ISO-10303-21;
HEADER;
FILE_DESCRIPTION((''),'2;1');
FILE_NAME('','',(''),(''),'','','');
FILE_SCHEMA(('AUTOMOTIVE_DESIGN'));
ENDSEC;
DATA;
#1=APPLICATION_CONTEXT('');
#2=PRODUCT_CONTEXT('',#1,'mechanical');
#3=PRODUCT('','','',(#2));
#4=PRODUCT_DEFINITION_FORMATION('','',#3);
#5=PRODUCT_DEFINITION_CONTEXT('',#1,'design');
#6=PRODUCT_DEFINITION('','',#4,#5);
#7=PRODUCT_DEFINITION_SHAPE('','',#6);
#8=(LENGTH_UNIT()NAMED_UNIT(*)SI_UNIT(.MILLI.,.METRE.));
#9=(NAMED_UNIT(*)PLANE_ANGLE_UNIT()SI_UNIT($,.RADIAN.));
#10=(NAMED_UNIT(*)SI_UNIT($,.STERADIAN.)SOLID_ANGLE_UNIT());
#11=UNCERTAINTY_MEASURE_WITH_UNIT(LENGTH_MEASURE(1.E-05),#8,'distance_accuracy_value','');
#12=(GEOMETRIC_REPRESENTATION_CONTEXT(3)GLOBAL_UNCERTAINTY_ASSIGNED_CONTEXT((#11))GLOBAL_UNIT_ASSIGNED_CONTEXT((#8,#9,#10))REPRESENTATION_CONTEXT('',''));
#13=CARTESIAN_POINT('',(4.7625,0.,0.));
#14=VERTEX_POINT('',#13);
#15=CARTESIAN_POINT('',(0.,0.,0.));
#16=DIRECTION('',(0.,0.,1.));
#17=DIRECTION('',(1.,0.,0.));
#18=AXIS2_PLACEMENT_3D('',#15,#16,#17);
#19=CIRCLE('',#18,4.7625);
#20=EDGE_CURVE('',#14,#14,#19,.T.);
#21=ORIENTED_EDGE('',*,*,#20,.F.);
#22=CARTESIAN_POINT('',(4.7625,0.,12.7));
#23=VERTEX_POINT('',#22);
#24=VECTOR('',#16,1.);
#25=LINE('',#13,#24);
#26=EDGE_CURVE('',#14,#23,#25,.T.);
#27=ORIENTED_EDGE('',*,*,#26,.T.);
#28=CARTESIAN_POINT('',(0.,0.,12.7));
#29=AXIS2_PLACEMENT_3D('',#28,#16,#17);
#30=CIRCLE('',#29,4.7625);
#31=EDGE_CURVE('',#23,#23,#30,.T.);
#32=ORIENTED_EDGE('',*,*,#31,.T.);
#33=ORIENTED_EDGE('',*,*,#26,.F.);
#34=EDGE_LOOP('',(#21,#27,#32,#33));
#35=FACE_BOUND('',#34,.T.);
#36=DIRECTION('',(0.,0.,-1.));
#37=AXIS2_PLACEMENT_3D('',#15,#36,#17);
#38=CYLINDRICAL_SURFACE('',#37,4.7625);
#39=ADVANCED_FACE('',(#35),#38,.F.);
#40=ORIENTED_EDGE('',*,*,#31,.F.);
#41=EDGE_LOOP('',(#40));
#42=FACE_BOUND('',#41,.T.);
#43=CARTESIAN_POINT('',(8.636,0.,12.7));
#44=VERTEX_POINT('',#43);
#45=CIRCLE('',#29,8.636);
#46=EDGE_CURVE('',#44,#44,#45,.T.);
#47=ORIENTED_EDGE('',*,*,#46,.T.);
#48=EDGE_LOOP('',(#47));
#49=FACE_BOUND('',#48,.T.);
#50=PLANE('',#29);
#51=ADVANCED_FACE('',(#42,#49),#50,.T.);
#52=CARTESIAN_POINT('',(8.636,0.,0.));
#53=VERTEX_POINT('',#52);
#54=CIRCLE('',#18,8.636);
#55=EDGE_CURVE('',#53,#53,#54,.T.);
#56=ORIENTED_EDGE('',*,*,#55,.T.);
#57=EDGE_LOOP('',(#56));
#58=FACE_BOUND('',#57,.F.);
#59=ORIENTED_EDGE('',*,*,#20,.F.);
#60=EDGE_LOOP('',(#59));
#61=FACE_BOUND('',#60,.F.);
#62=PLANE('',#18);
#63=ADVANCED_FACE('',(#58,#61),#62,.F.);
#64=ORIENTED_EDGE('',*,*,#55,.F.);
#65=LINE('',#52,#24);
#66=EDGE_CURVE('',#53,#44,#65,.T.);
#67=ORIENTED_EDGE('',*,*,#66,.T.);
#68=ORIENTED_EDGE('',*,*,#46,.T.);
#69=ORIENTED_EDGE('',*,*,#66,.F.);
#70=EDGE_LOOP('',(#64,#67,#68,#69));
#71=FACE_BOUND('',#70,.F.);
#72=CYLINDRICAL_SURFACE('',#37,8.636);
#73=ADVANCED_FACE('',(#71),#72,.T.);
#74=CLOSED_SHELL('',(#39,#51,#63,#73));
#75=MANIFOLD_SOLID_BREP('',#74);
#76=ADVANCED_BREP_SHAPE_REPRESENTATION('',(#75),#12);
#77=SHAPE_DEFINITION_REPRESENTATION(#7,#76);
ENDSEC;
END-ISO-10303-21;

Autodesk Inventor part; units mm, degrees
ref_plane "YZ Plane" through (0, 0, 0) normal (1, 0, 0) x (0, 1, 0)
ref_plane "XZ Plane" through (0, 0, 0) normal (0, 1, 0) x (-1, 0, 0)
ref_plane "XY Plane" through (0, 0, 0) normal (0, 0, 1) x (1, 0, 0)
sketch "Sketch1" plane through (0, 0, 0) normal (0, 0, 1) x (1, 0, 0)
  circle A0 centre (0, 0) radius 9.525 construction
  circle A1 centre (0, 0) radius 8.636
  circle A2 centre (0, 0) radius 4.7625
  dimension "d0" = 19.05
  dimension "d10" = 9.525
  dimension "d13" = 17.272
extrude "Extrusion1" add sketch "Sketch1" along normal blind 12.7
thread "Thread1" size "3/8-16 UNC" class "2B" standard "ANSI Unified Screw Threads" full length
properties part number "Hopper Roller Rear Plug"
